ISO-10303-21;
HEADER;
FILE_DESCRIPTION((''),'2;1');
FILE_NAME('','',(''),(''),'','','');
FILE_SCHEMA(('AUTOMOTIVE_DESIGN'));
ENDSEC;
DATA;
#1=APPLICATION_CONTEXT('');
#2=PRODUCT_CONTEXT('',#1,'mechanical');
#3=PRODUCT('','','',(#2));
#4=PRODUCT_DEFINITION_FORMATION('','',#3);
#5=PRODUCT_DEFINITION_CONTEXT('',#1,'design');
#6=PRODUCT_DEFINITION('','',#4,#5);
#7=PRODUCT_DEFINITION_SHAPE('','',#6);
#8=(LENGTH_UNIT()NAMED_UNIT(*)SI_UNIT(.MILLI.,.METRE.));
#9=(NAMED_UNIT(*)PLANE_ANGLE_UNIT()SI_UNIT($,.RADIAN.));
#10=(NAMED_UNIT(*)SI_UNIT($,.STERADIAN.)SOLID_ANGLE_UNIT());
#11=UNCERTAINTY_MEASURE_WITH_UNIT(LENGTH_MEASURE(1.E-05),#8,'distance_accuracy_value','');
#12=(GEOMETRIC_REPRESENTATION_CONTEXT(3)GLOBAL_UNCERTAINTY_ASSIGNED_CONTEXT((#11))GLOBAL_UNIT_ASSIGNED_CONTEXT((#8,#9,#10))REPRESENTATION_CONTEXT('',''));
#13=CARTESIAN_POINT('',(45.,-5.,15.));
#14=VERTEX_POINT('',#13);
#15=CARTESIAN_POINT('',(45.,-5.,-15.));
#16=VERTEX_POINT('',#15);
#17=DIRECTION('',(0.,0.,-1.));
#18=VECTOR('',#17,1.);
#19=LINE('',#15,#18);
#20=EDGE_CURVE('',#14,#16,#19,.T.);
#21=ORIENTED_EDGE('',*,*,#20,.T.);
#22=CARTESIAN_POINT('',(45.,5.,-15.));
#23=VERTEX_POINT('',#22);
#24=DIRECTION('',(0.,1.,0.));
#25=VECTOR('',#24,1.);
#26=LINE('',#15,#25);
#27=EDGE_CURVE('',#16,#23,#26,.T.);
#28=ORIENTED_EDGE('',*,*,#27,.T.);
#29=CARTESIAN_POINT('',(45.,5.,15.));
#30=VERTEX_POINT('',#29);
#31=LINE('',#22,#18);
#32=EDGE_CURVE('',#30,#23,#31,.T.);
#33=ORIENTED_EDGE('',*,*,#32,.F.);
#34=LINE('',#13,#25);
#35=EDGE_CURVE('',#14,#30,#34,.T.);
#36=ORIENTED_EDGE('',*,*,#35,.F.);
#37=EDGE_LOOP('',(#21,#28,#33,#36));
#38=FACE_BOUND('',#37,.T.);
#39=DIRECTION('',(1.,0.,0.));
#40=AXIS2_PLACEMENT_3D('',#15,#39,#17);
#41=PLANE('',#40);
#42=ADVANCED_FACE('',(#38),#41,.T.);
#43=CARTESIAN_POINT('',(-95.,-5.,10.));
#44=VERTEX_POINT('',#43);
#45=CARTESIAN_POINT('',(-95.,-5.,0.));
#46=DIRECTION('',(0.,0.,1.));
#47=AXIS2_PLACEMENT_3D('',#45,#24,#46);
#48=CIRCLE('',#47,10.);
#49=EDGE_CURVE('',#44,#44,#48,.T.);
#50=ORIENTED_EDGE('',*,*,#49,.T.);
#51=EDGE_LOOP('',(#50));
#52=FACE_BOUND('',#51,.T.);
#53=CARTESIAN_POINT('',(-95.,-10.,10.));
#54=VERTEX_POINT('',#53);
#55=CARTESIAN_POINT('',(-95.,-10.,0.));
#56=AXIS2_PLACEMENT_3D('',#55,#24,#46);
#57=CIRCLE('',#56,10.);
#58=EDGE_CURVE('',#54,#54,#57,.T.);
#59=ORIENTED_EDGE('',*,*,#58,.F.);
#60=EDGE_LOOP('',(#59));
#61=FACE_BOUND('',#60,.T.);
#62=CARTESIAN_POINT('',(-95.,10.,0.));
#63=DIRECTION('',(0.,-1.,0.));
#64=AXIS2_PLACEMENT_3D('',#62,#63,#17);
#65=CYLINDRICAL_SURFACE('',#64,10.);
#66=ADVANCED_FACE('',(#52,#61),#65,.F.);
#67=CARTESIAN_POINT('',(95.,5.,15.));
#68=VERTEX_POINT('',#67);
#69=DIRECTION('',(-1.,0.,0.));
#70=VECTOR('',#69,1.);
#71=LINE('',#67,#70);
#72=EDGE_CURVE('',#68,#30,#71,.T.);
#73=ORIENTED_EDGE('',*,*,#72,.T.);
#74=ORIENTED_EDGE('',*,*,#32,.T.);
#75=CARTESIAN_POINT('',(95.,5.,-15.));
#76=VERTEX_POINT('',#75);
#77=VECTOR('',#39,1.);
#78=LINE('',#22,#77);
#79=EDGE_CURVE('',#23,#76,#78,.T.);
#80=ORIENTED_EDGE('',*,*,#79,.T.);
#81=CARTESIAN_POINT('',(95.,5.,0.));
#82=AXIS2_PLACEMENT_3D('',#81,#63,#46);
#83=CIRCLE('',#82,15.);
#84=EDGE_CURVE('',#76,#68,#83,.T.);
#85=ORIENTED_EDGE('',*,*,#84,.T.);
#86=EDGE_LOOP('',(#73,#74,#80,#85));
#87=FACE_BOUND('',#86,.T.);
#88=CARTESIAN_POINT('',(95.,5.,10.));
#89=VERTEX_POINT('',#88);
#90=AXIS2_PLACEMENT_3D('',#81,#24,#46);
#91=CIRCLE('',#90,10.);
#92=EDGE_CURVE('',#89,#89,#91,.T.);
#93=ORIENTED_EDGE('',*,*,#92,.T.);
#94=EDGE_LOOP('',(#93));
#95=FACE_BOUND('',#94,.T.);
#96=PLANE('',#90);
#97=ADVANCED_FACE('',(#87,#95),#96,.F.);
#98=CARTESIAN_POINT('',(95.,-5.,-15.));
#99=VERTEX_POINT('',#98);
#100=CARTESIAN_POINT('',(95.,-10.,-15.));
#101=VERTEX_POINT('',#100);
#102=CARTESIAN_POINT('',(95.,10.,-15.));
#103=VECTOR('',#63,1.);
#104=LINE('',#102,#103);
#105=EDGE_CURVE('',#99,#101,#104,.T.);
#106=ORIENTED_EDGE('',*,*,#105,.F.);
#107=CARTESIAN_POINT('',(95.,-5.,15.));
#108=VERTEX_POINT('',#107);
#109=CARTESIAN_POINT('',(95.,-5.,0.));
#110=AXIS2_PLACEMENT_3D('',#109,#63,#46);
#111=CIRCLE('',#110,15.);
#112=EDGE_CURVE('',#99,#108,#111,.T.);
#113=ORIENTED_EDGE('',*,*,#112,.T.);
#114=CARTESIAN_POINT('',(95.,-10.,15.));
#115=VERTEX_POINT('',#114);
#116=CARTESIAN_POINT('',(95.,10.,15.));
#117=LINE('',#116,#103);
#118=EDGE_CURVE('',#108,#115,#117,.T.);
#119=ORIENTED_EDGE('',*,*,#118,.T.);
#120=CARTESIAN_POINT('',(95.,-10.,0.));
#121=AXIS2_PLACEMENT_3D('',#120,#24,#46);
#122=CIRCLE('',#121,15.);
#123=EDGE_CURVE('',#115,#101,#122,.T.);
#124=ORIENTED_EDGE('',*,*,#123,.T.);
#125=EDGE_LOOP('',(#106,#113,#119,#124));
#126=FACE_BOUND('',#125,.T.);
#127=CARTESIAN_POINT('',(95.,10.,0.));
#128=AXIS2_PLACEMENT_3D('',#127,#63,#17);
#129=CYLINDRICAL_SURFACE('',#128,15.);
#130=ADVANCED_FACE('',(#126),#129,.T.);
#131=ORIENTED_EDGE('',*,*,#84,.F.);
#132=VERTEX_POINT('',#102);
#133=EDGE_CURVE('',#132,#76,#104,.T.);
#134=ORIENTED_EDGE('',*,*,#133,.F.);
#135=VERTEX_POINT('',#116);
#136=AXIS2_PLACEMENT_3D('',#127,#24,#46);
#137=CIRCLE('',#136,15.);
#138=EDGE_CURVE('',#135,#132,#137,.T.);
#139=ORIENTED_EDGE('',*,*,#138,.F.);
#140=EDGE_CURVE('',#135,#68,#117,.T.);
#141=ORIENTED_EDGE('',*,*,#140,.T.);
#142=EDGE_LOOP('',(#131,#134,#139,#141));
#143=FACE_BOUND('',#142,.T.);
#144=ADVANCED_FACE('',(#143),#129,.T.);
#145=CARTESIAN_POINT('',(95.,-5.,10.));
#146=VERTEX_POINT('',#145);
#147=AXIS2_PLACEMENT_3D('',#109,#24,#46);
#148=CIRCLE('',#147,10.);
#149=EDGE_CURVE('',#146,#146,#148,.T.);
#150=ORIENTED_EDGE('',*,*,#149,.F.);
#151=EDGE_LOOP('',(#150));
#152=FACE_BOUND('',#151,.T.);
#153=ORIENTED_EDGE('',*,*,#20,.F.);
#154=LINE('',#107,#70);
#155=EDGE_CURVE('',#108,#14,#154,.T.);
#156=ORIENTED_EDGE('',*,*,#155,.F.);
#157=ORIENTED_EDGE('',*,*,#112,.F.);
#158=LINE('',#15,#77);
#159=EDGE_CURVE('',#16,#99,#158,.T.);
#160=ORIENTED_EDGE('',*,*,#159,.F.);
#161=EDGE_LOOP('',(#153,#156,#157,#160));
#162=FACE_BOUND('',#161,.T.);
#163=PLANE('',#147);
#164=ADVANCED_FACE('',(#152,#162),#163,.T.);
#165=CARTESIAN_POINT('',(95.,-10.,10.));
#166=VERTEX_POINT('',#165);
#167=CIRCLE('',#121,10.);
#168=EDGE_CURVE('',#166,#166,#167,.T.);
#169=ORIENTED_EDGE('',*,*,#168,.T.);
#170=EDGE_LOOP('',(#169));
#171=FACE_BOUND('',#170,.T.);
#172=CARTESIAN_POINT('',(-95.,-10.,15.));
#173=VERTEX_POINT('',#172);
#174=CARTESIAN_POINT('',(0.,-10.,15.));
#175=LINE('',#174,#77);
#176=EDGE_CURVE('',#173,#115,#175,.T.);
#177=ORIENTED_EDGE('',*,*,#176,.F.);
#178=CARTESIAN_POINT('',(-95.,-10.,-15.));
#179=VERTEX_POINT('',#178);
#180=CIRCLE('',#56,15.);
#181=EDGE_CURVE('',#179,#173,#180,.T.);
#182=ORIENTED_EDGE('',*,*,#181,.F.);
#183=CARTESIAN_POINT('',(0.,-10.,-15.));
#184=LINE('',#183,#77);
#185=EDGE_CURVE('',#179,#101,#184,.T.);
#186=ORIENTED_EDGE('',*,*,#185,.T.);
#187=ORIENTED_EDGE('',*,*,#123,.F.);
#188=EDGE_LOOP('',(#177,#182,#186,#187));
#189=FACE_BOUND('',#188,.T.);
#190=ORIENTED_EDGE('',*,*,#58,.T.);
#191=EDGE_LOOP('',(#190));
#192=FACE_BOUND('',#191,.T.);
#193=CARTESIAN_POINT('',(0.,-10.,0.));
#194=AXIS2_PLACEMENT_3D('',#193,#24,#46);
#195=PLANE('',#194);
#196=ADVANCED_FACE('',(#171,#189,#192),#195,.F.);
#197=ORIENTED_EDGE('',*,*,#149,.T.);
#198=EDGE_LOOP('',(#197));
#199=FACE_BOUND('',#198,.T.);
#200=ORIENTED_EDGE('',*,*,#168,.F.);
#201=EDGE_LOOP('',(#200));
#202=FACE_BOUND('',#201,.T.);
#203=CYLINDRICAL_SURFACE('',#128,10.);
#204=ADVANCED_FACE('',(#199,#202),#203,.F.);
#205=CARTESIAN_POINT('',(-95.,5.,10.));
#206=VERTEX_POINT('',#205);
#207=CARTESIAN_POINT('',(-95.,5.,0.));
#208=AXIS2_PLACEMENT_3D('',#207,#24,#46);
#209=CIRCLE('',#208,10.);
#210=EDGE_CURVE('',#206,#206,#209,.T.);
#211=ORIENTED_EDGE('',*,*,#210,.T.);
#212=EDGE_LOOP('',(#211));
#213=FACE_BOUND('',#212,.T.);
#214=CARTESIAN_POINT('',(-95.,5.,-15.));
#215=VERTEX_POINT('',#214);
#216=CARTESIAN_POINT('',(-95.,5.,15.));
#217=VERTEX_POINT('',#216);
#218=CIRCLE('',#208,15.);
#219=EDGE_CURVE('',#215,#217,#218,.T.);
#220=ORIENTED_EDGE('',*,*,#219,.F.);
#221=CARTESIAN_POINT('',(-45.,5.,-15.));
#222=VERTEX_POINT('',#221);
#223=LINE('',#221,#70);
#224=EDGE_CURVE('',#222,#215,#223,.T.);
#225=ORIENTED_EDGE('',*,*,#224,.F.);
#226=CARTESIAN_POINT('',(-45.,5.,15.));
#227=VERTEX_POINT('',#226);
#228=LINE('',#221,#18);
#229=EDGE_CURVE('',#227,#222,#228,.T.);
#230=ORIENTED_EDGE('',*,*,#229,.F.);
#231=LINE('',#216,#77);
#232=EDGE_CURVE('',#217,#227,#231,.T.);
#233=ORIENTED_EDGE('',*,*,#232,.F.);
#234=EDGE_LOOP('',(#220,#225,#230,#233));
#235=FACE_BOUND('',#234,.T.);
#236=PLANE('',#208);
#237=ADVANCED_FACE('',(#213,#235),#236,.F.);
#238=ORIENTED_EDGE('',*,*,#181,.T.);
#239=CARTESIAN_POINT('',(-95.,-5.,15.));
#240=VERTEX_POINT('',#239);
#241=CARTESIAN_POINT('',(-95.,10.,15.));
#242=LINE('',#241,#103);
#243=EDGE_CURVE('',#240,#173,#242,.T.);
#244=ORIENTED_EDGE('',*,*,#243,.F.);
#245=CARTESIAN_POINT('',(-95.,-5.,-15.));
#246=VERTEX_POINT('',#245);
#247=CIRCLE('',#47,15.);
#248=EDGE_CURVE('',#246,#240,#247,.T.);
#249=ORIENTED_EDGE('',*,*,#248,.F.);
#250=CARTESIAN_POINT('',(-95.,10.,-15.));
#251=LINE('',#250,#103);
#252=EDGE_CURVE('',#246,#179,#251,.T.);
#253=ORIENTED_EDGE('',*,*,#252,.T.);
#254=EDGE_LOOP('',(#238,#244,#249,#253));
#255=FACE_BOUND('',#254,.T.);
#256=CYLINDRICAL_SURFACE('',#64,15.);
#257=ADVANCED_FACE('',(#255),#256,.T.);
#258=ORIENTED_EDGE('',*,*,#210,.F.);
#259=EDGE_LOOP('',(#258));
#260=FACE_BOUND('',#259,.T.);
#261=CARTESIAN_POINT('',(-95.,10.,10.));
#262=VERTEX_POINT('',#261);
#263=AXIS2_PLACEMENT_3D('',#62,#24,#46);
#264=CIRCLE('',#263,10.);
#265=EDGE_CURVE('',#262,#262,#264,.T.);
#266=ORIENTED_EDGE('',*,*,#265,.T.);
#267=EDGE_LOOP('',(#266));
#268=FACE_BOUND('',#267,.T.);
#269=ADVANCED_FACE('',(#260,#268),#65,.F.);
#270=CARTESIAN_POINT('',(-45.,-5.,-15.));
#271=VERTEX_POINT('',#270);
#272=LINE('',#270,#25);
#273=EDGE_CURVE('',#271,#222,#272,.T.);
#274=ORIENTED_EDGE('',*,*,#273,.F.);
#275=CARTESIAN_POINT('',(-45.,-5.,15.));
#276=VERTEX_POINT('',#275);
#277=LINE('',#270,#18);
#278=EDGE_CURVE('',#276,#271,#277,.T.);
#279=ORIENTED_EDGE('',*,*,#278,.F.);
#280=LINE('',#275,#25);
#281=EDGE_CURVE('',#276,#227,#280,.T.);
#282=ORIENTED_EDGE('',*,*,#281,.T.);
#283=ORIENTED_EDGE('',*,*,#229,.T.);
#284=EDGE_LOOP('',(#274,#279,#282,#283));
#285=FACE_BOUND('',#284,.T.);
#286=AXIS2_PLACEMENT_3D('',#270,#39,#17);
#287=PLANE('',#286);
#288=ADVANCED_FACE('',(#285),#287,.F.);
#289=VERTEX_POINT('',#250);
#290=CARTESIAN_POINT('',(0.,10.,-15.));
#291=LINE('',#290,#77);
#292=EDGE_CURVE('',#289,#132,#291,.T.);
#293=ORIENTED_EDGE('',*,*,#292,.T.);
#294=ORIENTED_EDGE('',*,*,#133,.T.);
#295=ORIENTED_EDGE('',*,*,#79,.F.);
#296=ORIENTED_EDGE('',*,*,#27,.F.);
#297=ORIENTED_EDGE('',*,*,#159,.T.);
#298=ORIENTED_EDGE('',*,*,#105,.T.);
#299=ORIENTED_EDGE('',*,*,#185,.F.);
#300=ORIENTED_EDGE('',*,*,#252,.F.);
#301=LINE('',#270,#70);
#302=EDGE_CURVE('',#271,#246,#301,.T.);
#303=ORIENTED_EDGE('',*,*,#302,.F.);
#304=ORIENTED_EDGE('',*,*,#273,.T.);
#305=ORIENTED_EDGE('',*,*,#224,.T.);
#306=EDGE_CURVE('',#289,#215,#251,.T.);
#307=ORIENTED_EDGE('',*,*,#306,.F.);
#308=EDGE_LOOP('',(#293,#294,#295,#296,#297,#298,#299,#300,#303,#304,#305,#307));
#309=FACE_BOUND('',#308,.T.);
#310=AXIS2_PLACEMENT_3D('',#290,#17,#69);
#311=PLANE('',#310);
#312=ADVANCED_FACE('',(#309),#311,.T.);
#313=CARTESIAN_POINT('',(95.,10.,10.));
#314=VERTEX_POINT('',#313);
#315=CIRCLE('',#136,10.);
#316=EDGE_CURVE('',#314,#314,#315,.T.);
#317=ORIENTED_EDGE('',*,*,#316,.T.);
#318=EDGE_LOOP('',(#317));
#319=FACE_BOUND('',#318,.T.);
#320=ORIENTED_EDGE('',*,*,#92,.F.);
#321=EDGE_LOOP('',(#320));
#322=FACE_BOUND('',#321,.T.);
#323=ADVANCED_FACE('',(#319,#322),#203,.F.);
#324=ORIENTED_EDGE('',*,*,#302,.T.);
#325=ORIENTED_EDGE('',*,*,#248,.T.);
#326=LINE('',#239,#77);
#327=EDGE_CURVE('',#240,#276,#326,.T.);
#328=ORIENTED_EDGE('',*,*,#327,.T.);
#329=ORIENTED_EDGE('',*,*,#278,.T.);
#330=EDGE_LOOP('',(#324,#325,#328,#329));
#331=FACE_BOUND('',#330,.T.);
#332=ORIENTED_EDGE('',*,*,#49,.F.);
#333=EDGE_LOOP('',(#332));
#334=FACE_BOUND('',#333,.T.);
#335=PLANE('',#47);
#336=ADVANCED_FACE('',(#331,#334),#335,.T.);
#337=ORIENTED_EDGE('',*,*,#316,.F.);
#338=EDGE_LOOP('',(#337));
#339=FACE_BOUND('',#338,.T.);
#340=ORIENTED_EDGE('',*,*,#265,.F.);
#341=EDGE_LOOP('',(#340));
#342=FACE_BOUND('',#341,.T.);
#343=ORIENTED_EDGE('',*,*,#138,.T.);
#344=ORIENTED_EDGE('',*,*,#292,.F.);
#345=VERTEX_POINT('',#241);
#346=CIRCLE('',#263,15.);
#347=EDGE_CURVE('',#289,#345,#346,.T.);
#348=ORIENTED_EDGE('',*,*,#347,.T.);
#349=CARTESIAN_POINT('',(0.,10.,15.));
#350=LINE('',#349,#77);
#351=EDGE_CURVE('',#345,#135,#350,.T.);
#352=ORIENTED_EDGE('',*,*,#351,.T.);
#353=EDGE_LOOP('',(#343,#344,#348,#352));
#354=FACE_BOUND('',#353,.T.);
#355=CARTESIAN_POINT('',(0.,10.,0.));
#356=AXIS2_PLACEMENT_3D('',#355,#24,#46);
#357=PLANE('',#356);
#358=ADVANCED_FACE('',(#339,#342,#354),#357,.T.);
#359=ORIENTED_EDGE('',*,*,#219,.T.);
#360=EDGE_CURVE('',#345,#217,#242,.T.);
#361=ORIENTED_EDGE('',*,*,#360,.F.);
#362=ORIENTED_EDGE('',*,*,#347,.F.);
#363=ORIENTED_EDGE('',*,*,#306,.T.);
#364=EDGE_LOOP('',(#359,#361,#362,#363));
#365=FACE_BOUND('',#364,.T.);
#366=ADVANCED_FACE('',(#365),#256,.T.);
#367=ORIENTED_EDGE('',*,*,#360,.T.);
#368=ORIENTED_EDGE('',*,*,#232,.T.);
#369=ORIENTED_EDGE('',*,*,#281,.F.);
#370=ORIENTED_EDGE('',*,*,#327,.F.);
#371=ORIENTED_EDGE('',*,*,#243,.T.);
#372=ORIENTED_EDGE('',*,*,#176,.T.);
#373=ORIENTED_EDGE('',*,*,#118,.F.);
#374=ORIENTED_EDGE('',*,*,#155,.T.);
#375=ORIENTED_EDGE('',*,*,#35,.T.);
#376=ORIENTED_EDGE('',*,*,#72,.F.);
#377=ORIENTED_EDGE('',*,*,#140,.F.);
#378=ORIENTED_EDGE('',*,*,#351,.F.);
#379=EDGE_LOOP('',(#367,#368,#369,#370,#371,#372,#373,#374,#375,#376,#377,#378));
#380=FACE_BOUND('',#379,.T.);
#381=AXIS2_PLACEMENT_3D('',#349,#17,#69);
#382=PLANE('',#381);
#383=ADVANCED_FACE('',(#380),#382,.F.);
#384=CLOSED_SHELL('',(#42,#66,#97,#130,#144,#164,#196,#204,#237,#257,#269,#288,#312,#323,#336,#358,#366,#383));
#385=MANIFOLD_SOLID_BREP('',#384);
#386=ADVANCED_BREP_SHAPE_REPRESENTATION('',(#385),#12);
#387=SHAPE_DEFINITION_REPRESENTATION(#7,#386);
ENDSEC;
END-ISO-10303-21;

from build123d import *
from build123d.topology import SkipClean

# Parameters (mm, degrees)
EXTRUDE_1_DEPTH     = 10
CUT_EXTRUDE_1_DEPTH = 5


with BuildPart() as part:
    # 草圖1 → 填料-伸長1 (new, symmetric)
    with BuildSketch(Plane(origin=(0, 0, 0), x_dir=(1, 0, 0), z_dir=(0, 1, 0))):
        with BuildLine():
            Line((95.00000000000004, 14.999999999999998), (-94.99999999999996, 15))
            ThreePointArc((-94.99999999999996, 14.999999999999998), (-84.39339828220174, 10.606601717798211), (-79.99999999999996, 0))
            ThreePointArc((-79.99999999999996, -3.67e-15), (-84.39339828220174, -10.606601717798204), (-94.99999999999994, -14.999999999999998))
            Line((-94.99999999999994, -14.999999999999961), (95.00000000000006, -14.999999999999998))
            ThreePointArc((95.00000000000004, -14.999999999999998), (80.00000000000004, 1.84e-15), (95.00000000000004, 14.999999999999998))
        make_face()
        with BuildLine():
            ThreePointArc((-79.99999999999996, 0), (-84.39339828220174, 10.606601717798211), (-94.99999999999996, 14.999999999999998))
            Line((-94.99999999999996, 15), (-94.99999999999996, 10.000000000000009))
            ThreePointArc((-95, 10.000000000000009), (-87.9289321881345, 7.071067811865497), (-84.99999999999994, 0))
            ThreePointArc((-84.99999999999994, -2.45e-15), (-87.9289321881345, -7.071067811865502), (-95, -10.000000000000009))
            Line((-94.99999999999994, -10.000000000000007), (-94.99999999999994, -14.999999999999961))
            ThreePointArc((-94.99999999999994, -14.999999999999998), (-84.39339828220174, -10.606601717798204), (-79.99999999999996, -3.67e-15))
        make_face()
        with BuildLine():
            Line((-94.99999999999996, 10.000000000000009), (-94.99999999999996, 15))
            ThreePointArc((-94.99999999999996, 14.999999999999998), (-109.99999999999996, -4.82e-15), (-94.99999999999994, -14.999999999999998))
            Line((-94.99999999999994, -14.999999999999961), (-94.99999999999994, -10.000000000000007))
            ThreePointArc((-95, -10.000000000000009), (-104.99999999999997, 1.22e-15), (-95, 10.000000000000009))
        make_face()
        with BuildLine():
            ThreePointArc((-79.99999999999996, 0), (-84.39339828220174, 10.606601717798211), (-94.99999999999996, 14.999999999999998))
            Line((-94.99999999999996, 15), (-94.99999999999996, 10.000000000000009))
            ThreePointArc((-95, 10.000000000000009), (-87.9289321881345, 7.071067811865497), (-84.99999999999994, 0))
            ThreePointArc((-84.99999999999994, -2.45e-15), (-87.9289321881345, -7.071067811865502), (-95, -10.000000000000009))
            Line((-94.99999999999994, -10.000000000000007), (-94.99999999999994, -14.999999999999961))
            ThreePointArc((-94.99999999999994, -14.999999999999998), (-84.39339828220174, -10.606601717798204), (-79.99999999999996, -3.67e-15))
        make_face()
        with BuildLine():
            Line((-94.99999999999996, 10.000000000000009), (-94.99999999999996, 15))
            ThreePointArc((-94.99999999999996, 14.999999999999998), (-109.99999999999996, -4.82e-15), (-94.99999999999994, -14.999999999999998))
            Line((-94.99999999999994, -14.999999999999961), (-94.99999999999994, -10.000000000000007))
            ThreePointArc((-95, -10.000000000000009), (-104.99999999999997, 1.22e-15), (-95, 10.000000000000009))
        make_face()
        with BuildLine():
            ThreePointArc((110.00000000000004, 0), (105.60660171779826, 10.606601717798211), (95.00000000000004, 14.999999999999998))
            Line((95.00000000000004, 14.999999999999998), (95.00000000000004, 10.000000000000009))
            ThreePointArc((95, 10.000000000000009), (102.0710678118655, 7.071067811865497), (105.00000000000006, 0))
            ThreePointArc((105.00000000000006, -2.45e-15), (102.0710678118655, -7.071067811865502), (95, -10.000000000000009))
            Line((95.00000000000004, -10.000000000000009), (95.00000000000004, -14.999999999999998))
            ThreePointArc((95.00000000000004, -14.999999999999998), (105.60660171779826, -10.606601717798213), (110.00000000000004, -3.67e-15))
        make_face()
        with BuildLine():
            Line((95.00000000000004, 10.000000000000009), (95.00000000000004, 14.999999999999998))
            ThreePointArc((95.00000000000004, 14.999999999999998), (80.00000000000004, 1.84e-15), (95.00000000000004, -14.999999999999998))
            Line((95.00000000000004, -14.999999999999998), (95.00000000000004, -10.000000000000009))
            ThreePointArc((95, -10.000000000000009), (85.00000000000003, 1.22e-15), (95, 10.000000000000009))
        make_face()
        with BuildLine():
            ThreePointArc((110.00000000000004, 0), (105.60660171779826, 10.606601717798211), (95.00000000000004, 14.999999999999998))
            Line((95.00000000000004, 14.999999999999998), (95.00000000000004, 10.000000000000009))
            ThreePointArc((95, 10.000000000000009), (102.0710678118655, 7.071067811865497), (105.00000000000006, 0))
            ThreePointArc((105.00000000000006, -2.45e-15), (102.0710678118655, -7.071067811865502), (95, -10.000000000000009))
            Line((95.00000000000004, -10.000000000000009), (95.00000000000004, -14.999999999999998))
            ThreePointArc((95.00000000000004, -14.999999999999998), (105.60660171779826, -10.606601717798213), (110.00000000000004, -3.67e-15))
        make_face()
        with BuildLine():
            Line((95.00000000000004, 10.000000000000009), (95.00000000000004, 14.999999999999998))
            ThreePointArc((95.00000000000004, 14.999999999999998), (80.00000000000004, 1.84e-15), (95.00000000000004, -14.999999999999998))
            Line((95.00000000000004, -14.999999999999998), (95.00000000000004, -10.000000000000009))
            ThreePointArc((95, -10.000000000000009), (85.00000000000003, 1.22e-15), (95, 10.000000000000009))
        make_face()
    extrude(amount=EXTRUDE_1_DEPTH, both=True)

    # 草圖2 → 除料-伸長1 (cut, symmetric)
    with SkipClean():  # the faces are left unmerged after this step: merging them gives an invalid solid
        with BuildSketch(Plane(origin=(0, 0, 0), x_dir=(1, 0, 0), z_dir=(0, 1, 0))):
            with BuildLine():
                Line((-44.99999999999994, 14.99999999999999), (-44.99999999999996, -14.999999999999977))
                Line((-44.99999999999996, -14.999999999999977), (-94.99999999999994, -14.99999999999998))
                ThreePointArc((-94.99999999999994, -14.99999999999998), (-109.99999999999994, -4.82e-15), (-94.99999999999996, 14.99999999999998))
                Line((-94.99999999999996, 14.99999999999998), (-44.99999999999994, 14.99999999999999))
            make_face()
        cut_extrude_1 = extrude(amount=CUT_EXTRUDE_1_DEPTH, both=True, mode=Mode.SUBTRACT)

    # 鏡射1: 除料-伸長1 across plane
    with SkipClean():  # the faces are left unmerged after this step: merging them gives an invalid solid
        add(cut_extrude_1.mirror(Plane(origin=(0, 0, 0), x_dir=(0, 0, 1), z_dir=(1, 0, 0))), mode=Mode.SUBTRACT)


solid = part.part
